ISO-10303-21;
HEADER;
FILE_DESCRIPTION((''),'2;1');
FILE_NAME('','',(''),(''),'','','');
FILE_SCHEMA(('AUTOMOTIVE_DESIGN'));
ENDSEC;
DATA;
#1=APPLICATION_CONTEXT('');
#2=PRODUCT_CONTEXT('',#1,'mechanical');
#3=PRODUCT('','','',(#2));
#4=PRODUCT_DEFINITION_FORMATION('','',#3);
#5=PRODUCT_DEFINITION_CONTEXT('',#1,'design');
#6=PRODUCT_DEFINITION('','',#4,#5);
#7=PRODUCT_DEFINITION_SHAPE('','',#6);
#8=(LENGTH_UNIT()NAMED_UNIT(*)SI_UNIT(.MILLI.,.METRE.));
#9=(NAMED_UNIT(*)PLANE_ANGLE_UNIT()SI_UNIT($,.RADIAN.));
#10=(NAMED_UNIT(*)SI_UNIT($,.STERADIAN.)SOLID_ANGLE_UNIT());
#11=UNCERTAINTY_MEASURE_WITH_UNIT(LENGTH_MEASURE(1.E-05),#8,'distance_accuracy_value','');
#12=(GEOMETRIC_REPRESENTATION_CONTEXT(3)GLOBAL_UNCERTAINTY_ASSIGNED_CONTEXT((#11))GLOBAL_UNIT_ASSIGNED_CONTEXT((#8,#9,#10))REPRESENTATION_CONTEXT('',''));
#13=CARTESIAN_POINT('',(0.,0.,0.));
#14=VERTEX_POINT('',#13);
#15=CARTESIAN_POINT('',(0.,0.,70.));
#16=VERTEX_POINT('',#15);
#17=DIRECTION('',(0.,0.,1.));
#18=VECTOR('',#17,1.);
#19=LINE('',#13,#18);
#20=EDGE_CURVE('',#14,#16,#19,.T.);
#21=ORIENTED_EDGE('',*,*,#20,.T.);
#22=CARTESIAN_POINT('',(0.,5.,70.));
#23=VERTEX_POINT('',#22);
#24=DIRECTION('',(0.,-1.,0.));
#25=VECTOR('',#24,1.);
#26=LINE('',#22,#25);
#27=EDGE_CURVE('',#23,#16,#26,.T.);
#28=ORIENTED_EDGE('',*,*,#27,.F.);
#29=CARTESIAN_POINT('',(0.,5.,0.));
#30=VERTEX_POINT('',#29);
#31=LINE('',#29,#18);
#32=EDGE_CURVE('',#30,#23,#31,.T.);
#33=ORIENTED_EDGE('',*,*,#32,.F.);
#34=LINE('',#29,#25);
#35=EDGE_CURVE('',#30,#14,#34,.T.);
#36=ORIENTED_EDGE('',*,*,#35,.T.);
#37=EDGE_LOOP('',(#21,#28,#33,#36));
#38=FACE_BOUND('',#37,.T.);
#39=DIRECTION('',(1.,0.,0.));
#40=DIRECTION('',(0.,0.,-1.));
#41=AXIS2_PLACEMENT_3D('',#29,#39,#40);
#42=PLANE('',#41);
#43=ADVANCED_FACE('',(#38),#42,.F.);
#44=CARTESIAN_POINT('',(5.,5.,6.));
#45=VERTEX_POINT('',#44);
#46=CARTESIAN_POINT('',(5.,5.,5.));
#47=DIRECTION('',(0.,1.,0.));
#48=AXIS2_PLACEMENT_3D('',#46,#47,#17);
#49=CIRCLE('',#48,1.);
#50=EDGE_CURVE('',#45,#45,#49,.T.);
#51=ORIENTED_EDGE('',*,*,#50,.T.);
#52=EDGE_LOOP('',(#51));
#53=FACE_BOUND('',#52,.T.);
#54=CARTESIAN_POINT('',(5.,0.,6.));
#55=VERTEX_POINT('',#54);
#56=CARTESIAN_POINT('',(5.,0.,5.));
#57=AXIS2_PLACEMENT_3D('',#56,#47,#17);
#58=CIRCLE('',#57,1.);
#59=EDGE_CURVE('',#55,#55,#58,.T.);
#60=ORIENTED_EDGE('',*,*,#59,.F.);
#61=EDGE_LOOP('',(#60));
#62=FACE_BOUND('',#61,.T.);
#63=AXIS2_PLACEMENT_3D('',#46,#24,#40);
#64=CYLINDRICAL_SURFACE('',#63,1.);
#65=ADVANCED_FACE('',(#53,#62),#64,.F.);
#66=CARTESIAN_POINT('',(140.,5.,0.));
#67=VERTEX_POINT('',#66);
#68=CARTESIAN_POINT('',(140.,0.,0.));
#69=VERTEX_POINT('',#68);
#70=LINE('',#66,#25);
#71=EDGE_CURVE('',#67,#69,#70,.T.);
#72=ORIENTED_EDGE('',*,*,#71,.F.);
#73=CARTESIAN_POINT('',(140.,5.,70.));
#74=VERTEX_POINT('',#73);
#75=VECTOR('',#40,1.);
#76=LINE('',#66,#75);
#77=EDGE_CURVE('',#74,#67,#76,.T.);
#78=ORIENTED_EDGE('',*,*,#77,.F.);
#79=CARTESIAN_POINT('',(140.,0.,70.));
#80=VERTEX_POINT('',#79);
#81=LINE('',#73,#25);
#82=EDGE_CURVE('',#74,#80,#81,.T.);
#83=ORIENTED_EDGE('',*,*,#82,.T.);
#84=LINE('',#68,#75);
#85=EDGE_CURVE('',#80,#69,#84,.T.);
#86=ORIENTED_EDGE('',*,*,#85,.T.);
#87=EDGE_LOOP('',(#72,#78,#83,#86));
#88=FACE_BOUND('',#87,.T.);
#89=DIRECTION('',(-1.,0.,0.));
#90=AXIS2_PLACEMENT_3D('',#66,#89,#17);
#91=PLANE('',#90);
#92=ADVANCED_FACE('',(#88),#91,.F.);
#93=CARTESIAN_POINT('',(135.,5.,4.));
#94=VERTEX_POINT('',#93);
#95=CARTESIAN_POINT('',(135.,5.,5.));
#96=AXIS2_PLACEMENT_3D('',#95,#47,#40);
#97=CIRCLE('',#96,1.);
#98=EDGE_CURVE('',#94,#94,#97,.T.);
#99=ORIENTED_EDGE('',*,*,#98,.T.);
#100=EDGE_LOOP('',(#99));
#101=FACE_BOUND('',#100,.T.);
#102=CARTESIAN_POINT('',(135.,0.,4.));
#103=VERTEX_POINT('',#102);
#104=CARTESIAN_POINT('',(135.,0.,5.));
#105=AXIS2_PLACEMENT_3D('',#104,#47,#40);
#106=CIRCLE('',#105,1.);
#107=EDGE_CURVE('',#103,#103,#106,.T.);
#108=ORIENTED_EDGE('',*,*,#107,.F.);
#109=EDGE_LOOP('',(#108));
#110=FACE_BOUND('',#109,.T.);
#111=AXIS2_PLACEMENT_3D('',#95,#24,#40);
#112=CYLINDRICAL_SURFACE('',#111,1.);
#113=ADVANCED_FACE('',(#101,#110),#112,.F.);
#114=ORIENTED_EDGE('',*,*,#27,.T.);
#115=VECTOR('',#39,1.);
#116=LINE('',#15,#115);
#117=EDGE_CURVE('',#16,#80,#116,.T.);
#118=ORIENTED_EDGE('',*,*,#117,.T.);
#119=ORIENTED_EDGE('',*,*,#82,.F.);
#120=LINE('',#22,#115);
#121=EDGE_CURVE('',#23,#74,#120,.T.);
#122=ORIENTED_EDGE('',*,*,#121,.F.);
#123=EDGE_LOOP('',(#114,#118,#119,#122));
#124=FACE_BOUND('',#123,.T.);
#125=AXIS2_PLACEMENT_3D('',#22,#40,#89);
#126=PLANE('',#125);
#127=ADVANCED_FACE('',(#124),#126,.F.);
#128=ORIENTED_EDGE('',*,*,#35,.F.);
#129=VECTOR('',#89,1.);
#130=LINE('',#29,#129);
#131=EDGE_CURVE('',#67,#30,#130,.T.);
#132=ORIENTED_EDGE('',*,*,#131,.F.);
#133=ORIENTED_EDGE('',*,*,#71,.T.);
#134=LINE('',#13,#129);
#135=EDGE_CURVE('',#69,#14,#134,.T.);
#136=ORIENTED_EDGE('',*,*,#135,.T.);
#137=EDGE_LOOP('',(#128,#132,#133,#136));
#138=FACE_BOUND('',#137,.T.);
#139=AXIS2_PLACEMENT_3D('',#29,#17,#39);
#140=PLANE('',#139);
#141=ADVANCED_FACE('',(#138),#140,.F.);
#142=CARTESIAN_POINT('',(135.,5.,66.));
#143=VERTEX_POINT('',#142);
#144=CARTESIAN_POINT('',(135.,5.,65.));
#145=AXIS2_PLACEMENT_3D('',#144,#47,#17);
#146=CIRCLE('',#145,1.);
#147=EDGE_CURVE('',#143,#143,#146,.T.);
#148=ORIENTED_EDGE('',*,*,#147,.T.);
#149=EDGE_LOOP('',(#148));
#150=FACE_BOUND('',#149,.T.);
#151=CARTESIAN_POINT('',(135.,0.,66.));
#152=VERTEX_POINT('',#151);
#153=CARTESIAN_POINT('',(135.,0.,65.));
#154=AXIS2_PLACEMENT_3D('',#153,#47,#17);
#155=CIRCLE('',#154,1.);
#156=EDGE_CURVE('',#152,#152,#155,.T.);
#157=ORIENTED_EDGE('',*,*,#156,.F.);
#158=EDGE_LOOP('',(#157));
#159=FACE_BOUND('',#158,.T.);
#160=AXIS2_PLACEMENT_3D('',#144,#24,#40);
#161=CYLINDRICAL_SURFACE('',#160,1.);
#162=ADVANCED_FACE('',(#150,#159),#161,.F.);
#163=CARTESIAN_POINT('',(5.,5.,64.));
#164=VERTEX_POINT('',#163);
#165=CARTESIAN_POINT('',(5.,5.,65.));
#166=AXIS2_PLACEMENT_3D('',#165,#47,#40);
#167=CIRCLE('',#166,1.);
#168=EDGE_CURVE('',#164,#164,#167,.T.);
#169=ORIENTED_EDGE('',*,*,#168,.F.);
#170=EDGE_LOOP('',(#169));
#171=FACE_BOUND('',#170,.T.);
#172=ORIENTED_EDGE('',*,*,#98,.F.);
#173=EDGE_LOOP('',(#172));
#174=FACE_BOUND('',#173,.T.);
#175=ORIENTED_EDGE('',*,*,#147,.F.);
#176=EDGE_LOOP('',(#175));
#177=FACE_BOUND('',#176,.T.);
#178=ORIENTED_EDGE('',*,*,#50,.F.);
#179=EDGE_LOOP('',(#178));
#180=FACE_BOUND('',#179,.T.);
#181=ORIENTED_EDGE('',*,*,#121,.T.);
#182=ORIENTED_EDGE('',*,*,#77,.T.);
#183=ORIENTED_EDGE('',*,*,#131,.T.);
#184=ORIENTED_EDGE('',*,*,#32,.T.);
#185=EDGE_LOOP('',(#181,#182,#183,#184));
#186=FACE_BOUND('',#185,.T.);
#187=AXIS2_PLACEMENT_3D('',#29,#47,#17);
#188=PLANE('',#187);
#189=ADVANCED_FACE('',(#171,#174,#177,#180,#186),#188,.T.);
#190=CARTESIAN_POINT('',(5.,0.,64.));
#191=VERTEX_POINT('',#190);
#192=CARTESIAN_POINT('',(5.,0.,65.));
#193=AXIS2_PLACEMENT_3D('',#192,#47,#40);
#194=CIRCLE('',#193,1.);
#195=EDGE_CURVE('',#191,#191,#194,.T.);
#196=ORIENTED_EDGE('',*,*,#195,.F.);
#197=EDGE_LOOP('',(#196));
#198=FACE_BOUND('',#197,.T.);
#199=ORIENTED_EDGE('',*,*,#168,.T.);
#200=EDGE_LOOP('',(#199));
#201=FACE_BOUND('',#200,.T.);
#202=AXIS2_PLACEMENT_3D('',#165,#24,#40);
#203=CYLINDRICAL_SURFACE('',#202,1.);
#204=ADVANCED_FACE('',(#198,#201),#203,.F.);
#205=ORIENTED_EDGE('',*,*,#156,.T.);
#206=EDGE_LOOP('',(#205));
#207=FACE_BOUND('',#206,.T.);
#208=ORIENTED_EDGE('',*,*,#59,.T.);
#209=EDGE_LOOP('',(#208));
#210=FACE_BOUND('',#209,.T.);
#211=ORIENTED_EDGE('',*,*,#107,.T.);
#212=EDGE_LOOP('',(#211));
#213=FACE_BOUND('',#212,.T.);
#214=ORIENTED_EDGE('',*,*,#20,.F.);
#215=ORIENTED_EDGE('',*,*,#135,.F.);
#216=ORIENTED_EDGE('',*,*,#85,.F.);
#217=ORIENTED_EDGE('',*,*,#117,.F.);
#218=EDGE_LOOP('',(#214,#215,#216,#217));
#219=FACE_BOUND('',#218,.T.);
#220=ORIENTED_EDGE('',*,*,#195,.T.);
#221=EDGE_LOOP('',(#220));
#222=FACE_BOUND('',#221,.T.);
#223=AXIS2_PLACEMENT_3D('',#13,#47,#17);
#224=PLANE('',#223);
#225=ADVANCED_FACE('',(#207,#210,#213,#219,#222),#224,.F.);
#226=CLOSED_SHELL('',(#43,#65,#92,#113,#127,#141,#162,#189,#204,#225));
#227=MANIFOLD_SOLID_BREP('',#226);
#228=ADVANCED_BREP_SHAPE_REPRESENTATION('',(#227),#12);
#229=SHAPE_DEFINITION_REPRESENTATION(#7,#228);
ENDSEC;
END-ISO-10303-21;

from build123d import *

# Parameters (mm, degrees)
SZKIC1_W                    = 140
SZKIC1_H                    = 70
SZKIC1_R                    = 1
DODANIE_WYCI_GNI_CIE1_DEPTH = 5


with BuildPart() as part:
    # Szkic1 → Dodanie-wyciągnięcie1 (new body)
    with BuildSketch(Plane(origin=(0, 0, 0), x_dir=(1, 0, 0), z_dir=(0, 1, 0))):
        with Locations((70, -35)):
            Rectangle(SZKIC1_W, SZKIC1_H)
        with Locations(Location((135, -65, 0), (0, 0, 270))):
            Circle(SZKIC1_R, mode=Mode.SUBTRACT)
        with Locations(Location((135, -5, 0), (0, 0, 90))):
            Circle(SZKIC1_R, mode=Mode.SUBTRACT)
        with Locations(Location((5, -5, 0), (0, 0, 270))):
            Circle(SZKIC1_R, mode=Mode.SUBTRACT)
        with Locations(Location((5, -65, 0), (0, 0, 90))):
            Circle(SZKIC1_R, mode=Mode.SUBTRACT)
    extrude(amount=DODANIE_WYCI_GNI_CIE1_DEPTH)


solid = part.part
